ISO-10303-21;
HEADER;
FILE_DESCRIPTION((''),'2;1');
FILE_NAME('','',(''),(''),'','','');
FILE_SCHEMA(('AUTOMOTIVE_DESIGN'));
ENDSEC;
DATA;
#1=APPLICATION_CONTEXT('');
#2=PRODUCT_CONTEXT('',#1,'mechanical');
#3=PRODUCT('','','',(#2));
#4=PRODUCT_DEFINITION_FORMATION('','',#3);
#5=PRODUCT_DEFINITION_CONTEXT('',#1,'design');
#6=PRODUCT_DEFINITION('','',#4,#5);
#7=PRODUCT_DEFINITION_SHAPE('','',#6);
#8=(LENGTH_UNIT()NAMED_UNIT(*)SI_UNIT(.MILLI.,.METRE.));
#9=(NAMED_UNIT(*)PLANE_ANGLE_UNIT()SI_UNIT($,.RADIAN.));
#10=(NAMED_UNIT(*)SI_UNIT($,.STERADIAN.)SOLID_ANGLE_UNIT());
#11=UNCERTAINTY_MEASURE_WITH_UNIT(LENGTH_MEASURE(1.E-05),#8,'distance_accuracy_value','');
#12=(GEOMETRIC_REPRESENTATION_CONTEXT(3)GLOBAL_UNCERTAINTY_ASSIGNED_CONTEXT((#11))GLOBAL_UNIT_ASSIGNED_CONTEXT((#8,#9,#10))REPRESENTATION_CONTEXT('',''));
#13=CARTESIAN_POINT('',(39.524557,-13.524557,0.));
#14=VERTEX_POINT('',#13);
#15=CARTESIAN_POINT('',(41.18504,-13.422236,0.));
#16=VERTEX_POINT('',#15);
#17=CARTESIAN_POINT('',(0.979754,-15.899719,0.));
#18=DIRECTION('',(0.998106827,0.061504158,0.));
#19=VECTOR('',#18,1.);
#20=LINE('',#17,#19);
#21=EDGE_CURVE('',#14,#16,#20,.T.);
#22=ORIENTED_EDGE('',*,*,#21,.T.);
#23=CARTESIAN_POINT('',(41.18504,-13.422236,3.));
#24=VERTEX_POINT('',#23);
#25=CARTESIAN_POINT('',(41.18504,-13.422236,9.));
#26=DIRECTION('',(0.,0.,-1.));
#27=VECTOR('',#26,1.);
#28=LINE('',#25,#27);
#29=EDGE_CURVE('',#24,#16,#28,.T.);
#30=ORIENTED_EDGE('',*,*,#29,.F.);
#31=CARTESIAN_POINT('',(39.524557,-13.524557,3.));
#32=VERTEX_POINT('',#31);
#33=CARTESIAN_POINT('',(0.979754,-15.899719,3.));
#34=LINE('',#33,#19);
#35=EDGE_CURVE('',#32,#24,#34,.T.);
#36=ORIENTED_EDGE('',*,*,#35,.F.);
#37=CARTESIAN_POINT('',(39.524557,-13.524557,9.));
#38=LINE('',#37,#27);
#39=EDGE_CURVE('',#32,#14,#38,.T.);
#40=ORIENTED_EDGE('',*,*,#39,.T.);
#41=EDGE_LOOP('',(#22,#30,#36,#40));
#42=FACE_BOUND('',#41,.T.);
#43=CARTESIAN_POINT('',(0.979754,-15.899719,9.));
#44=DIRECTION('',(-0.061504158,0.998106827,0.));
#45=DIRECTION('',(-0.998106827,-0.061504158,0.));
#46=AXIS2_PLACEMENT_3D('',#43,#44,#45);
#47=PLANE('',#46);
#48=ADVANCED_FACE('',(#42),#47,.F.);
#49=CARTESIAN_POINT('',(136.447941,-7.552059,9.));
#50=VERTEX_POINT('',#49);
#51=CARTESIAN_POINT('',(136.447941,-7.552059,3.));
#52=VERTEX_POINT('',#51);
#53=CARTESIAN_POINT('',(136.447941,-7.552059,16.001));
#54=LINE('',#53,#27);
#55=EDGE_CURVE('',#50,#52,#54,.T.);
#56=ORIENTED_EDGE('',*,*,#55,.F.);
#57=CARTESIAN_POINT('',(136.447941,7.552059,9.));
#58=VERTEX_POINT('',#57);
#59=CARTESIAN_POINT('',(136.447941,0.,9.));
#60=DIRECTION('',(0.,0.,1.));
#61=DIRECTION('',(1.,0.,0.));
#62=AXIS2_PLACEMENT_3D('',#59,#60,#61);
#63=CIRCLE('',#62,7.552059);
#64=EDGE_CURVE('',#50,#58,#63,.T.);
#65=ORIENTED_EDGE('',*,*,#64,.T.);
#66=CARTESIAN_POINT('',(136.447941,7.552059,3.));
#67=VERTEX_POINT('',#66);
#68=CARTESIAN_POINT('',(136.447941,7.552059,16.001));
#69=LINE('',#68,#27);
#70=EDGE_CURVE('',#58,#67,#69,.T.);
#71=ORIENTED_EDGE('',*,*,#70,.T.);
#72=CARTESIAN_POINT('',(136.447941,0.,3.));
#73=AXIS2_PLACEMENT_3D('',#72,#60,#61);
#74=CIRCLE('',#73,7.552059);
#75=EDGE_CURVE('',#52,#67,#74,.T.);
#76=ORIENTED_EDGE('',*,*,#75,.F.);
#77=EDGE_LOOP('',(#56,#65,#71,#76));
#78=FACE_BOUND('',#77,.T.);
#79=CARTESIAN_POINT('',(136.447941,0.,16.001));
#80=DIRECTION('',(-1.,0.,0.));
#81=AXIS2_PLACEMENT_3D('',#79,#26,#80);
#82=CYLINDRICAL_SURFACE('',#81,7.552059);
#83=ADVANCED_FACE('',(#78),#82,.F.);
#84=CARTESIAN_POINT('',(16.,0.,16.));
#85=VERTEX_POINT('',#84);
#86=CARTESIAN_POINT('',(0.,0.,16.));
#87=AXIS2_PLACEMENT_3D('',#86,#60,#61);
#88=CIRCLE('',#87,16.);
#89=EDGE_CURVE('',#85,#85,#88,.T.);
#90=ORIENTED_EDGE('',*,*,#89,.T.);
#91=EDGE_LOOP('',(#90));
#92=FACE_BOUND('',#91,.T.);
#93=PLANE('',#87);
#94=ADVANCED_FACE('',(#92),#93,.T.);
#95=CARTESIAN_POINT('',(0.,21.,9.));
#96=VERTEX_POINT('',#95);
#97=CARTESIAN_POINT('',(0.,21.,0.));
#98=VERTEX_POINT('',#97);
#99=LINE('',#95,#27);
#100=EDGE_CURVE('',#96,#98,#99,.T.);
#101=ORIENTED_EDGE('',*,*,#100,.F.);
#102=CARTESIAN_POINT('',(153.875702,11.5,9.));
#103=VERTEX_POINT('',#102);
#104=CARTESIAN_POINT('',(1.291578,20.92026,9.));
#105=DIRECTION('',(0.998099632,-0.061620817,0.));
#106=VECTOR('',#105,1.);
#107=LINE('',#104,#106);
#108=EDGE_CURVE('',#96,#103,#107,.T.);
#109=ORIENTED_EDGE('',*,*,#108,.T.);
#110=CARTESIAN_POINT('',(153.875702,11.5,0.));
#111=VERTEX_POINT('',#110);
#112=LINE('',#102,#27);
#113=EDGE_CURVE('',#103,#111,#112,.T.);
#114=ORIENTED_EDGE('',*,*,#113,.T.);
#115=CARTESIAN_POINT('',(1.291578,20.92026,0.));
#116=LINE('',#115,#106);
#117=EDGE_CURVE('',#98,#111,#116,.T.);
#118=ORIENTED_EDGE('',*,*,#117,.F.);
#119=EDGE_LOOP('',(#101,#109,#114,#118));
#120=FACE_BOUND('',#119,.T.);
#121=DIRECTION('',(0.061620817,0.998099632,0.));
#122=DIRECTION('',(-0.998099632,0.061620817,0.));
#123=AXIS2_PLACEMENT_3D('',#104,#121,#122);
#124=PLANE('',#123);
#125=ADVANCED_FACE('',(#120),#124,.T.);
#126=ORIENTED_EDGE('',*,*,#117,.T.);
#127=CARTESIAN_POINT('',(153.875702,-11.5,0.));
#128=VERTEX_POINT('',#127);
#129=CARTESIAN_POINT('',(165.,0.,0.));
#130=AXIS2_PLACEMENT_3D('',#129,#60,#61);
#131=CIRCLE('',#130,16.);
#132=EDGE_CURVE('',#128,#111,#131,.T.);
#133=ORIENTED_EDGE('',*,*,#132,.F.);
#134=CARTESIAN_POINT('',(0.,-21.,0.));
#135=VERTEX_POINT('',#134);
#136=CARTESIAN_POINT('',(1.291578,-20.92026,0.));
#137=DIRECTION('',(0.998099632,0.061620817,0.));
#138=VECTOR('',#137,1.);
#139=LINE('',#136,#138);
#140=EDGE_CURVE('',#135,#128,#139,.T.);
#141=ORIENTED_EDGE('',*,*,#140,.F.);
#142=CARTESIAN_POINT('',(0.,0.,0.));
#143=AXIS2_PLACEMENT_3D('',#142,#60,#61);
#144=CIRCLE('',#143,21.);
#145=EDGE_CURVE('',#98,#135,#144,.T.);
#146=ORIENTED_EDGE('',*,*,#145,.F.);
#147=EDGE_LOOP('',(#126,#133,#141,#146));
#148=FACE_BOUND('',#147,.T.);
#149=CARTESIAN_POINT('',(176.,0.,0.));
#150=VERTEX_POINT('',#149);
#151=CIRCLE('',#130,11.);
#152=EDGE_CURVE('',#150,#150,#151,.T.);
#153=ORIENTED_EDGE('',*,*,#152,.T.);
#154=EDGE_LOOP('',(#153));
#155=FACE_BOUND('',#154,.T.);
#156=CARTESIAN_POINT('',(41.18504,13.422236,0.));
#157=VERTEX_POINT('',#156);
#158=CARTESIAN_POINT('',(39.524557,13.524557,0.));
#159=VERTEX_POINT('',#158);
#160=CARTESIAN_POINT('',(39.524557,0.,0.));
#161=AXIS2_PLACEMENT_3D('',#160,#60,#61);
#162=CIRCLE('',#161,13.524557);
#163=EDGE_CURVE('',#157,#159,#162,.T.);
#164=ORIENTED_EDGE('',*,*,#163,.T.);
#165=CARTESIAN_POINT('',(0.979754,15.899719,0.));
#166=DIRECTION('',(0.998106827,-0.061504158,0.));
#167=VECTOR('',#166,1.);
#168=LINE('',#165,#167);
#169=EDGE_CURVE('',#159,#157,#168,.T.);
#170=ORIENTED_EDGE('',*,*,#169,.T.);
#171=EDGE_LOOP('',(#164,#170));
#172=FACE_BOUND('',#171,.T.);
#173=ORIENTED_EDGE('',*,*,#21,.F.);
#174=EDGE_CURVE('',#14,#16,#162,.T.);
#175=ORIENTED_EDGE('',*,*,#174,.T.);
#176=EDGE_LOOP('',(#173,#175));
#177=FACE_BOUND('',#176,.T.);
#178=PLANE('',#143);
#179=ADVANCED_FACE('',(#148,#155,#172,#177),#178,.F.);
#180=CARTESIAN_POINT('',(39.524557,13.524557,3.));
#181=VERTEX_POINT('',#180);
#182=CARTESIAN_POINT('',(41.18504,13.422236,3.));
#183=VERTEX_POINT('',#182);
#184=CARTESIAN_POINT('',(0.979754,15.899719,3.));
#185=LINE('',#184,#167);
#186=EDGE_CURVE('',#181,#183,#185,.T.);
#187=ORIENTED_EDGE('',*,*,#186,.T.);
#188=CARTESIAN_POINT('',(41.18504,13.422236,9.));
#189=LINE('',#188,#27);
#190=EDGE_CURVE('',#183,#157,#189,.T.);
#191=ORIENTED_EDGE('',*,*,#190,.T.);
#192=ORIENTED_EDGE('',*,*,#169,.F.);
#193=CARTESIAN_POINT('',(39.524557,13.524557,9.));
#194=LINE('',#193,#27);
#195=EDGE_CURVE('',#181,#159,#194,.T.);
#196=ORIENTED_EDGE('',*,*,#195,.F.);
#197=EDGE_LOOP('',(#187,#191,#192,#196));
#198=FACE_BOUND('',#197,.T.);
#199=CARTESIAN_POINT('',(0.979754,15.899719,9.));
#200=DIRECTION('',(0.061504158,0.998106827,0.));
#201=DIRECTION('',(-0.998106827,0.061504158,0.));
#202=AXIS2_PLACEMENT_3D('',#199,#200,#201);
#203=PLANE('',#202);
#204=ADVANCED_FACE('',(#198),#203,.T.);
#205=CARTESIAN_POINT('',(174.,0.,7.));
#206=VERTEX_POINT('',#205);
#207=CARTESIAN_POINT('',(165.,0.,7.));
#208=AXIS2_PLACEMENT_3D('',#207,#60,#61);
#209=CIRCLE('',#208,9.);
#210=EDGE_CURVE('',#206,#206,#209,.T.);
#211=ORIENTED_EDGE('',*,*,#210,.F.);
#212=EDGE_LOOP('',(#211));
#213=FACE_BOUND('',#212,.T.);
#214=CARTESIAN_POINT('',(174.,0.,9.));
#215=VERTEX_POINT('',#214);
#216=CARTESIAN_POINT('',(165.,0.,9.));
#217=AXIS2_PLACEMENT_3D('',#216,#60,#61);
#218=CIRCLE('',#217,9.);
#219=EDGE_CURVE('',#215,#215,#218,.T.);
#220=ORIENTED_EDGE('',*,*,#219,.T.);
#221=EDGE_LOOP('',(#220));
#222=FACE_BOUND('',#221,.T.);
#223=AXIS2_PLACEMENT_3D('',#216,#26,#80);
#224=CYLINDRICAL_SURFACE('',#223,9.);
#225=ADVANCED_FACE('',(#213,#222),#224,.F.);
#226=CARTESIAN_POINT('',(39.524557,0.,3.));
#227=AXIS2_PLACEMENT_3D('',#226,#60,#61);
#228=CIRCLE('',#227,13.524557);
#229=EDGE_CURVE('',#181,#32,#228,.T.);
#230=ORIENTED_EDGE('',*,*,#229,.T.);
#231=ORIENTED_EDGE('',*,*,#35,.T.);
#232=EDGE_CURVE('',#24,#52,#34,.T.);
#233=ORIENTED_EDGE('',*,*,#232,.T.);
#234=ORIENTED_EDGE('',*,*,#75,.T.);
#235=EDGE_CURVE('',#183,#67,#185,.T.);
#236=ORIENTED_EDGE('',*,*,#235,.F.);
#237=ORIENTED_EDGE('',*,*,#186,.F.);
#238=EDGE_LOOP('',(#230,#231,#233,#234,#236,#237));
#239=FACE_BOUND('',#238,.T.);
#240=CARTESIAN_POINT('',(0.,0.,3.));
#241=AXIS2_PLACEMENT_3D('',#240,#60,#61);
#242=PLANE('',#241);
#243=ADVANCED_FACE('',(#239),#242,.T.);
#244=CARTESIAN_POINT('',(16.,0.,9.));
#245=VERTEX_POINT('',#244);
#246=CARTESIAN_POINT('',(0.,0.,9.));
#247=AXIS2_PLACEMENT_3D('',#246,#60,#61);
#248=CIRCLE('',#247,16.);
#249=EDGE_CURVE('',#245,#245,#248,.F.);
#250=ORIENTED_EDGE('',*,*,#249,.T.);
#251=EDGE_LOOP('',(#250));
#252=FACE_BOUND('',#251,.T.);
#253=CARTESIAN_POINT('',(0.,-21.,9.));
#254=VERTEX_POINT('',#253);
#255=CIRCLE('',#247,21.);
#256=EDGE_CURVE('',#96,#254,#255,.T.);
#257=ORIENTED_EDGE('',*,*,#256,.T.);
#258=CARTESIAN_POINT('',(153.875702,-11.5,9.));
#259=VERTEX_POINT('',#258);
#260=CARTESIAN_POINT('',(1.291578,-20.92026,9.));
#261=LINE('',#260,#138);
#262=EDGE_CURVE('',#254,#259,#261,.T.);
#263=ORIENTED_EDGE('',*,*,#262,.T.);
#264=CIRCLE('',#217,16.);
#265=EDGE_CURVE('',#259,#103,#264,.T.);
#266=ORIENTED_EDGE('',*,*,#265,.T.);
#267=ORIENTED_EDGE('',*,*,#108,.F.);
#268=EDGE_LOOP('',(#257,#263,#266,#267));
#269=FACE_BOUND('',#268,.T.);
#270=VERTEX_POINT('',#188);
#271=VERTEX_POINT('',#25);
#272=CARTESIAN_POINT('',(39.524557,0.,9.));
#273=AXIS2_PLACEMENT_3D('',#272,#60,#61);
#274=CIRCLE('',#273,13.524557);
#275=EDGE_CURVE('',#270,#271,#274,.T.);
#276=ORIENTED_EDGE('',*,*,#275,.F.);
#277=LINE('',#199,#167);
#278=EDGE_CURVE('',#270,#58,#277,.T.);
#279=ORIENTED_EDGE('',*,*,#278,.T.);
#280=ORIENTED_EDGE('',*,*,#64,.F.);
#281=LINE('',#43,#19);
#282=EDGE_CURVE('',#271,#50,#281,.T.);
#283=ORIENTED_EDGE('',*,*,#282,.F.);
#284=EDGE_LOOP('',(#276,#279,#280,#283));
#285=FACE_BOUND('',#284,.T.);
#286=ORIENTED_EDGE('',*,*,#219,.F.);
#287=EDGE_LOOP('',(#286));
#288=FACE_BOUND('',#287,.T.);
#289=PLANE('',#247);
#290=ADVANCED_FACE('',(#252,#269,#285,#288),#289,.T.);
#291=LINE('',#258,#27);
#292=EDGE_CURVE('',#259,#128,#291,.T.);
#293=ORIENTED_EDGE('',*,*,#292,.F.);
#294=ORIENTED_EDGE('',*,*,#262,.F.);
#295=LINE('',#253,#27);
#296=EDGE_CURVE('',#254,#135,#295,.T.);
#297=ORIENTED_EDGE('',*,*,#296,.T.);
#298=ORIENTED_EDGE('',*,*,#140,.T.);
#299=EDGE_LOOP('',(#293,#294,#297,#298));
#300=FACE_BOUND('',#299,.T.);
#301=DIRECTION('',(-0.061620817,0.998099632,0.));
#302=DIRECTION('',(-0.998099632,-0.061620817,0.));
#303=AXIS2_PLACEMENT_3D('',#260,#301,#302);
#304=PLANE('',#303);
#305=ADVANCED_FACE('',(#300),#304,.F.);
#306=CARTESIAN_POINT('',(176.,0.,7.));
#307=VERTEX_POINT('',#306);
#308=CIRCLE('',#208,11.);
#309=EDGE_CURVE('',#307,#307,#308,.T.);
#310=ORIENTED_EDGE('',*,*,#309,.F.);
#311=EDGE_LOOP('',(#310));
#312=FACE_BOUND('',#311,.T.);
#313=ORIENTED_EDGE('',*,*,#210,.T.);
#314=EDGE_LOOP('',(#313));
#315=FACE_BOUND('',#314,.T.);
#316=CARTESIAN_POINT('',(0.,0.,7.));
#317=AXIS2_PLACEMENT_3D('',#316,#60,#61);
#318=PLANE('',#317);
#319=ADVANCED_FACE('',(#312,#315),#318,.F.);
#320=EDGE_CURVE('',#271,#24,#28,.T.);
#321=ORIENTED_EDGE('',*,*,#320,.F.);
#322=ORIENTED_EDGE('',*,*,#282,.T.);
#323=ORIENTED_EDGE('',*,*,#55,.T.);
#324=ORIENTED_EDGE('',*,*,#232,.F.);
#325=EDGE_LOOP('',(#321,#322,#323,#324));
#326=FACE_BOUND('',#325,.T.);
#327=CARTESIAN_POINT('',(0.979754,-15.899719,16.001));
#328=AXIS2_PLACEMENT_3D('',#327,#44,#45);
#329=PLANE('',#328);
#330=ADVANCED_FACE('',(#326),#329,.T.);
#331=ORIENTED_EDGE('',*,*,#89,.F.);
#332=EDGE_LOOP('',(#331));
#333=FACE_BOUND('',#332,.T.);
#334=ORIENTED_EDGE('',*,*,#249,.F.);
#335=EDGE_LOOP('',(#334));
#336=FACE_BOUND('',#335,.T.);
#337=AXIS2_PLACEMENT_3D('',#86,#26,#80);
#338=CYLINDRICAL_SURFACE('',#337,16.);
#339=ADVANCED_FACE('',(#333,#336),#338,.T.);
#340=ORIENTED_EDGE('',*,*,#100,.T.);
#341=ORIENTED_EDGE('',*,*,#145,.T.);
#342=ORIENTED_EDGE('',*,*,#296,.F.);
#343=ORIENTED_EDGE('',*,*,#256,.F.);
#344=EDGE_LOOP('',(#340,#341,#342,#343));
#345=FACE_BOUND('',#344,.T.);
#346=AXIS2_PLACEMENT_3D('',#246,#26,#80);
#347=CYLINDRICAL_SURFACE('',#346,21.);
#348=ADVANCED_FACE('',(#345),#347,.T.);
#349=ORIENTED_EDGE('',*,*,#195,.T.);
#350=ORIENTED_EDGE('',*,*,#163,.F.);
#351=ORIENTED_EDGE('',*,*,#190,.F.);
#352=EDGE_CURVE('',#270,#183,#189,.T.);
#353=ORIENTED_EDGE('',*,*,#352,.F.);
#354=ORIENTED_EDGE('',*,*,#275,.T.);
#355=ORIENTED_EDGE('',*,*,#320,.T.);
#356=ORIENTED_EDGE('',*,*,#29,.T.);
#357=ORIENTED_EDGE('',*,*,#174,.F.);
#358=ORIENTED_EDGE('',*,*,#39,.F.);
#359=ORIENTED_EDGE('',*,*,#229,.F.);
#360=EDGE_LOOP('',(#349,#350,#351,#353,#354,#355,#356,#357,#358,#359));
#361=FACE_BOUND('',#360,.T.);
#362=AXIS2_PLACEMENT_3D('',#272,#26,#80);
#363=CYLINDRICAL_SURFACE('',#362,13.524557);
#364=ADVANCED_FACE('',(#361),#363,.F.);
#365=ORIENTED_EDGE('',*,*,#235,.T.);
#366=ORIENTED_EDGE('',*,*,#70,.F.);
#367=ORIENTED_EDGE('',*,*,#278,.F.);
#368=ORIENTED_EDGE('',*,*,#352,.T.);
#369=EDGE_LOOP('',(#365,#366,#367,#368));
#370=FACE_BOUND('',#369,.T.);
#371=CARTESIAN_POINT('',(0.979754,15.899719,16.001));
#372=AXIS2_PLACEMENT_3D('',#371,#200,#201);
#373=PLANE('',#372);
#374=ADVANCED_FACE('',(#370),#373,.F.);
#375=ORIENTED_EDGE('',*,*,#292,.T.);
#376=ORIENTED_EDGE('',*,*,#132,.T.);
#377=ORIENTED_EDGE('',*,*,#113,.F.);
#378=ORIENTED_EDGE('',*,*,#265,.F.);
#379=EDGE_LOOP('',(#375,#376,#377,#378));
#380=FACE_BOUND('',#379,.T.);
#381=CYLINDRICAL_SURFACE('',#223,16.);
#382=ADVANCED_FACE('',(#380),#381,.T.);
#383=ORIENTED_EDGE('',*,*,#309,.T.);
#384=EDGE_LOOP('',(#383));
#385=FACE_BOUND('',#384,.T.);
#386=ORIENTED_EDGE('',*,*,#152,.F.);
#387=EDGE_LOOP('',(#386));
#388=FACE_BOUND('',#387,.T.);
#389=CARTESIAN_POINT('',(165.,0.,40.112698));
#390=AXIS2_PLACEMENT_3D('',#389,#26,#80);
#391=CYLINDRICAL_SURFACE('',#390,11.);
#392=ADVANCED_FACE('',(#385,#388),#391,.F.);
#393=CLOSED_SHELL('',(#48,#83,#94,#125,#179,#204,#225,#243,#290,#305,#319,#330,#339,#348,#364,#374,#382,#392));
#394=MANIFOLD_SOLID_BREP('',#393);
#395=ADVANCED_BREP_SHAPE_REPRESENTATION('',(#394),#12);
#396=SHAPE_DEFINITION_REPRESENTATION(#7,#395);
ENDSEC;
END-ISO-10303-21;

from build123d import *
from build123d.topology import SkipClean

# Parameters (mm, degrees)
SKETCH6_R           = 9
BOSS_EXTRUDE2_DEPTH = 9
SKETCH6_10_R        = 16
BOSS_EXTRUDE3_DEPTH = 16
CUT_EXTRUDE2_REACH  = 187.915
CUT_EXTRUDE2_START  = 3
SKETCH6_20_R        = 11
CUT_EXTRUDE5_DEPTH  = 7


with BuildPart() as part:
    # Sketch6 → Boss-Extrude2 (new body)
    with BuildSketch(Plane.XY):
        with BuildLine():
            Line((0, -21), (153.875702269, -11.5))
            ThreePointArc((153.875702269, -11.5), (181, 0), (153.875702269, 11.5))
            Line((153.875702269, 11.5), (0, 21))
            ThreePointArc((0, 21), (-21, 0), (0, -21))
        make_face()
        with Locations((165, 0)):
            Circle(SKETCH6_R, mode=Mode.SUBTRACT)
        with BuildLine():
            ThreePointArc((41.185040199, -13.422236438), (40.356373264, -13.49895246), (39.524556783, -13.524556783))
            Line((39.524556783, -13.524556783), (41.185040199, -13.422236438))
        make_face(mode=Mode.SUBTRACT)
        with BuildLine():
            ThreePointArc((39.524556783, 13.524556783), (40.356373264, 13.49895246), (41.185040199, 13.422236438))
            Line((41.185040199, 13.422236438), (39.524556783, 13.524556783))
        make_face(mode=Mode.SUBTRACT)
    extrude(amount=BOSS_EXTRUDE2_DEPTH)

    # Sketch6<10> → Boss-Extrude3 (add)
    with BuildSketch(Plane.XY):
        Circle(SKETCH6_10_R)
    extrude(amount=BOSS_EXTRUDE3_DEPTH)

    # Sketch6<13> → Cut-Extrude2 (cut, up to next)
    with BuildSketch(Plane.XY.offset(CUT_EXTRUDE2_START), mode=Mode.PRIVATE) as cut_extrude2_sk1:
        with BuildLine():
            ThreePointArc((39.524556783, 13.524556783), (29.961250969, 9.563305814), (26, 0))
            Line((26, 0), (144, 0))
            ThreePointArc((144, 0), (141.788053239, 5.34011187), (136.447941368, 7.552058632))
            Line((136.447941368, 7.552058632), (41.185040199, 13.422236438))
            Line((41.185040199, 13.422236438), (39.524556783, 13.524556783))
        make_face()
    cut_extrude2_tool1 = extrude(cut_extrude2_sk1.sketch, amount=CUT_EXTRUDE2_REACH, mode=Mode.PRIVATE) & part.part
    # Sketch6<13> → Cut-Extrude2 (cut, up to next)
    with BuildSketch(Plane.XY.offset(CUT_EXTRUDE2_START), mode=Mode.PRIVATE) as cut_extrude2_sk2:
        with BuildLine():
            Line((144, 0), (26, 0))
            ThreePointArc((26, 0), (29.961250969, -9.563305814), (39.524556783, -13.524556783))
            Line((39.524556783, -13.524556783), (41.185040199, -13.422236438))
            Line((41.185040199, -13.422236438), (136.447941368, -7.552058632))
            ThreePointArc((136.447941368, -7.552058632), (141.788053239, -5.34011187), (144, 0))
        make_face()
    cut_extrude2_tool2 = extrude(cut_extrude2_sk2.sketch, amount=CUT_EXTRUDE2_REACH, mode=Mode.PRIVATE) & part.part
    add(cut_extrude2_tool1.solids().sort_by_distance((79.598695, 5.367714, 3))[0], mode=Mode.SUBTRACT)
    add(cut_extrude2_tool2.solids().sort_by_distance((79.598695, -5.367714, 3))[0], mode=Mode.SUBTRACT)

    # Sketch6<20> → Cut-Extrude5 (cut)
    with SkipClean():  # the faces are left unmerged after this step: merging them gives an invalid solid
        with BuildSketch(Plane.XY):
            with Locations((165, 0)):
                Circle(SKETCH6_20_R)
        extrude(amount=CUT_EXTRUDE5_DEPTH, mode=Mode.SUBTRACT)


solid = part.part
